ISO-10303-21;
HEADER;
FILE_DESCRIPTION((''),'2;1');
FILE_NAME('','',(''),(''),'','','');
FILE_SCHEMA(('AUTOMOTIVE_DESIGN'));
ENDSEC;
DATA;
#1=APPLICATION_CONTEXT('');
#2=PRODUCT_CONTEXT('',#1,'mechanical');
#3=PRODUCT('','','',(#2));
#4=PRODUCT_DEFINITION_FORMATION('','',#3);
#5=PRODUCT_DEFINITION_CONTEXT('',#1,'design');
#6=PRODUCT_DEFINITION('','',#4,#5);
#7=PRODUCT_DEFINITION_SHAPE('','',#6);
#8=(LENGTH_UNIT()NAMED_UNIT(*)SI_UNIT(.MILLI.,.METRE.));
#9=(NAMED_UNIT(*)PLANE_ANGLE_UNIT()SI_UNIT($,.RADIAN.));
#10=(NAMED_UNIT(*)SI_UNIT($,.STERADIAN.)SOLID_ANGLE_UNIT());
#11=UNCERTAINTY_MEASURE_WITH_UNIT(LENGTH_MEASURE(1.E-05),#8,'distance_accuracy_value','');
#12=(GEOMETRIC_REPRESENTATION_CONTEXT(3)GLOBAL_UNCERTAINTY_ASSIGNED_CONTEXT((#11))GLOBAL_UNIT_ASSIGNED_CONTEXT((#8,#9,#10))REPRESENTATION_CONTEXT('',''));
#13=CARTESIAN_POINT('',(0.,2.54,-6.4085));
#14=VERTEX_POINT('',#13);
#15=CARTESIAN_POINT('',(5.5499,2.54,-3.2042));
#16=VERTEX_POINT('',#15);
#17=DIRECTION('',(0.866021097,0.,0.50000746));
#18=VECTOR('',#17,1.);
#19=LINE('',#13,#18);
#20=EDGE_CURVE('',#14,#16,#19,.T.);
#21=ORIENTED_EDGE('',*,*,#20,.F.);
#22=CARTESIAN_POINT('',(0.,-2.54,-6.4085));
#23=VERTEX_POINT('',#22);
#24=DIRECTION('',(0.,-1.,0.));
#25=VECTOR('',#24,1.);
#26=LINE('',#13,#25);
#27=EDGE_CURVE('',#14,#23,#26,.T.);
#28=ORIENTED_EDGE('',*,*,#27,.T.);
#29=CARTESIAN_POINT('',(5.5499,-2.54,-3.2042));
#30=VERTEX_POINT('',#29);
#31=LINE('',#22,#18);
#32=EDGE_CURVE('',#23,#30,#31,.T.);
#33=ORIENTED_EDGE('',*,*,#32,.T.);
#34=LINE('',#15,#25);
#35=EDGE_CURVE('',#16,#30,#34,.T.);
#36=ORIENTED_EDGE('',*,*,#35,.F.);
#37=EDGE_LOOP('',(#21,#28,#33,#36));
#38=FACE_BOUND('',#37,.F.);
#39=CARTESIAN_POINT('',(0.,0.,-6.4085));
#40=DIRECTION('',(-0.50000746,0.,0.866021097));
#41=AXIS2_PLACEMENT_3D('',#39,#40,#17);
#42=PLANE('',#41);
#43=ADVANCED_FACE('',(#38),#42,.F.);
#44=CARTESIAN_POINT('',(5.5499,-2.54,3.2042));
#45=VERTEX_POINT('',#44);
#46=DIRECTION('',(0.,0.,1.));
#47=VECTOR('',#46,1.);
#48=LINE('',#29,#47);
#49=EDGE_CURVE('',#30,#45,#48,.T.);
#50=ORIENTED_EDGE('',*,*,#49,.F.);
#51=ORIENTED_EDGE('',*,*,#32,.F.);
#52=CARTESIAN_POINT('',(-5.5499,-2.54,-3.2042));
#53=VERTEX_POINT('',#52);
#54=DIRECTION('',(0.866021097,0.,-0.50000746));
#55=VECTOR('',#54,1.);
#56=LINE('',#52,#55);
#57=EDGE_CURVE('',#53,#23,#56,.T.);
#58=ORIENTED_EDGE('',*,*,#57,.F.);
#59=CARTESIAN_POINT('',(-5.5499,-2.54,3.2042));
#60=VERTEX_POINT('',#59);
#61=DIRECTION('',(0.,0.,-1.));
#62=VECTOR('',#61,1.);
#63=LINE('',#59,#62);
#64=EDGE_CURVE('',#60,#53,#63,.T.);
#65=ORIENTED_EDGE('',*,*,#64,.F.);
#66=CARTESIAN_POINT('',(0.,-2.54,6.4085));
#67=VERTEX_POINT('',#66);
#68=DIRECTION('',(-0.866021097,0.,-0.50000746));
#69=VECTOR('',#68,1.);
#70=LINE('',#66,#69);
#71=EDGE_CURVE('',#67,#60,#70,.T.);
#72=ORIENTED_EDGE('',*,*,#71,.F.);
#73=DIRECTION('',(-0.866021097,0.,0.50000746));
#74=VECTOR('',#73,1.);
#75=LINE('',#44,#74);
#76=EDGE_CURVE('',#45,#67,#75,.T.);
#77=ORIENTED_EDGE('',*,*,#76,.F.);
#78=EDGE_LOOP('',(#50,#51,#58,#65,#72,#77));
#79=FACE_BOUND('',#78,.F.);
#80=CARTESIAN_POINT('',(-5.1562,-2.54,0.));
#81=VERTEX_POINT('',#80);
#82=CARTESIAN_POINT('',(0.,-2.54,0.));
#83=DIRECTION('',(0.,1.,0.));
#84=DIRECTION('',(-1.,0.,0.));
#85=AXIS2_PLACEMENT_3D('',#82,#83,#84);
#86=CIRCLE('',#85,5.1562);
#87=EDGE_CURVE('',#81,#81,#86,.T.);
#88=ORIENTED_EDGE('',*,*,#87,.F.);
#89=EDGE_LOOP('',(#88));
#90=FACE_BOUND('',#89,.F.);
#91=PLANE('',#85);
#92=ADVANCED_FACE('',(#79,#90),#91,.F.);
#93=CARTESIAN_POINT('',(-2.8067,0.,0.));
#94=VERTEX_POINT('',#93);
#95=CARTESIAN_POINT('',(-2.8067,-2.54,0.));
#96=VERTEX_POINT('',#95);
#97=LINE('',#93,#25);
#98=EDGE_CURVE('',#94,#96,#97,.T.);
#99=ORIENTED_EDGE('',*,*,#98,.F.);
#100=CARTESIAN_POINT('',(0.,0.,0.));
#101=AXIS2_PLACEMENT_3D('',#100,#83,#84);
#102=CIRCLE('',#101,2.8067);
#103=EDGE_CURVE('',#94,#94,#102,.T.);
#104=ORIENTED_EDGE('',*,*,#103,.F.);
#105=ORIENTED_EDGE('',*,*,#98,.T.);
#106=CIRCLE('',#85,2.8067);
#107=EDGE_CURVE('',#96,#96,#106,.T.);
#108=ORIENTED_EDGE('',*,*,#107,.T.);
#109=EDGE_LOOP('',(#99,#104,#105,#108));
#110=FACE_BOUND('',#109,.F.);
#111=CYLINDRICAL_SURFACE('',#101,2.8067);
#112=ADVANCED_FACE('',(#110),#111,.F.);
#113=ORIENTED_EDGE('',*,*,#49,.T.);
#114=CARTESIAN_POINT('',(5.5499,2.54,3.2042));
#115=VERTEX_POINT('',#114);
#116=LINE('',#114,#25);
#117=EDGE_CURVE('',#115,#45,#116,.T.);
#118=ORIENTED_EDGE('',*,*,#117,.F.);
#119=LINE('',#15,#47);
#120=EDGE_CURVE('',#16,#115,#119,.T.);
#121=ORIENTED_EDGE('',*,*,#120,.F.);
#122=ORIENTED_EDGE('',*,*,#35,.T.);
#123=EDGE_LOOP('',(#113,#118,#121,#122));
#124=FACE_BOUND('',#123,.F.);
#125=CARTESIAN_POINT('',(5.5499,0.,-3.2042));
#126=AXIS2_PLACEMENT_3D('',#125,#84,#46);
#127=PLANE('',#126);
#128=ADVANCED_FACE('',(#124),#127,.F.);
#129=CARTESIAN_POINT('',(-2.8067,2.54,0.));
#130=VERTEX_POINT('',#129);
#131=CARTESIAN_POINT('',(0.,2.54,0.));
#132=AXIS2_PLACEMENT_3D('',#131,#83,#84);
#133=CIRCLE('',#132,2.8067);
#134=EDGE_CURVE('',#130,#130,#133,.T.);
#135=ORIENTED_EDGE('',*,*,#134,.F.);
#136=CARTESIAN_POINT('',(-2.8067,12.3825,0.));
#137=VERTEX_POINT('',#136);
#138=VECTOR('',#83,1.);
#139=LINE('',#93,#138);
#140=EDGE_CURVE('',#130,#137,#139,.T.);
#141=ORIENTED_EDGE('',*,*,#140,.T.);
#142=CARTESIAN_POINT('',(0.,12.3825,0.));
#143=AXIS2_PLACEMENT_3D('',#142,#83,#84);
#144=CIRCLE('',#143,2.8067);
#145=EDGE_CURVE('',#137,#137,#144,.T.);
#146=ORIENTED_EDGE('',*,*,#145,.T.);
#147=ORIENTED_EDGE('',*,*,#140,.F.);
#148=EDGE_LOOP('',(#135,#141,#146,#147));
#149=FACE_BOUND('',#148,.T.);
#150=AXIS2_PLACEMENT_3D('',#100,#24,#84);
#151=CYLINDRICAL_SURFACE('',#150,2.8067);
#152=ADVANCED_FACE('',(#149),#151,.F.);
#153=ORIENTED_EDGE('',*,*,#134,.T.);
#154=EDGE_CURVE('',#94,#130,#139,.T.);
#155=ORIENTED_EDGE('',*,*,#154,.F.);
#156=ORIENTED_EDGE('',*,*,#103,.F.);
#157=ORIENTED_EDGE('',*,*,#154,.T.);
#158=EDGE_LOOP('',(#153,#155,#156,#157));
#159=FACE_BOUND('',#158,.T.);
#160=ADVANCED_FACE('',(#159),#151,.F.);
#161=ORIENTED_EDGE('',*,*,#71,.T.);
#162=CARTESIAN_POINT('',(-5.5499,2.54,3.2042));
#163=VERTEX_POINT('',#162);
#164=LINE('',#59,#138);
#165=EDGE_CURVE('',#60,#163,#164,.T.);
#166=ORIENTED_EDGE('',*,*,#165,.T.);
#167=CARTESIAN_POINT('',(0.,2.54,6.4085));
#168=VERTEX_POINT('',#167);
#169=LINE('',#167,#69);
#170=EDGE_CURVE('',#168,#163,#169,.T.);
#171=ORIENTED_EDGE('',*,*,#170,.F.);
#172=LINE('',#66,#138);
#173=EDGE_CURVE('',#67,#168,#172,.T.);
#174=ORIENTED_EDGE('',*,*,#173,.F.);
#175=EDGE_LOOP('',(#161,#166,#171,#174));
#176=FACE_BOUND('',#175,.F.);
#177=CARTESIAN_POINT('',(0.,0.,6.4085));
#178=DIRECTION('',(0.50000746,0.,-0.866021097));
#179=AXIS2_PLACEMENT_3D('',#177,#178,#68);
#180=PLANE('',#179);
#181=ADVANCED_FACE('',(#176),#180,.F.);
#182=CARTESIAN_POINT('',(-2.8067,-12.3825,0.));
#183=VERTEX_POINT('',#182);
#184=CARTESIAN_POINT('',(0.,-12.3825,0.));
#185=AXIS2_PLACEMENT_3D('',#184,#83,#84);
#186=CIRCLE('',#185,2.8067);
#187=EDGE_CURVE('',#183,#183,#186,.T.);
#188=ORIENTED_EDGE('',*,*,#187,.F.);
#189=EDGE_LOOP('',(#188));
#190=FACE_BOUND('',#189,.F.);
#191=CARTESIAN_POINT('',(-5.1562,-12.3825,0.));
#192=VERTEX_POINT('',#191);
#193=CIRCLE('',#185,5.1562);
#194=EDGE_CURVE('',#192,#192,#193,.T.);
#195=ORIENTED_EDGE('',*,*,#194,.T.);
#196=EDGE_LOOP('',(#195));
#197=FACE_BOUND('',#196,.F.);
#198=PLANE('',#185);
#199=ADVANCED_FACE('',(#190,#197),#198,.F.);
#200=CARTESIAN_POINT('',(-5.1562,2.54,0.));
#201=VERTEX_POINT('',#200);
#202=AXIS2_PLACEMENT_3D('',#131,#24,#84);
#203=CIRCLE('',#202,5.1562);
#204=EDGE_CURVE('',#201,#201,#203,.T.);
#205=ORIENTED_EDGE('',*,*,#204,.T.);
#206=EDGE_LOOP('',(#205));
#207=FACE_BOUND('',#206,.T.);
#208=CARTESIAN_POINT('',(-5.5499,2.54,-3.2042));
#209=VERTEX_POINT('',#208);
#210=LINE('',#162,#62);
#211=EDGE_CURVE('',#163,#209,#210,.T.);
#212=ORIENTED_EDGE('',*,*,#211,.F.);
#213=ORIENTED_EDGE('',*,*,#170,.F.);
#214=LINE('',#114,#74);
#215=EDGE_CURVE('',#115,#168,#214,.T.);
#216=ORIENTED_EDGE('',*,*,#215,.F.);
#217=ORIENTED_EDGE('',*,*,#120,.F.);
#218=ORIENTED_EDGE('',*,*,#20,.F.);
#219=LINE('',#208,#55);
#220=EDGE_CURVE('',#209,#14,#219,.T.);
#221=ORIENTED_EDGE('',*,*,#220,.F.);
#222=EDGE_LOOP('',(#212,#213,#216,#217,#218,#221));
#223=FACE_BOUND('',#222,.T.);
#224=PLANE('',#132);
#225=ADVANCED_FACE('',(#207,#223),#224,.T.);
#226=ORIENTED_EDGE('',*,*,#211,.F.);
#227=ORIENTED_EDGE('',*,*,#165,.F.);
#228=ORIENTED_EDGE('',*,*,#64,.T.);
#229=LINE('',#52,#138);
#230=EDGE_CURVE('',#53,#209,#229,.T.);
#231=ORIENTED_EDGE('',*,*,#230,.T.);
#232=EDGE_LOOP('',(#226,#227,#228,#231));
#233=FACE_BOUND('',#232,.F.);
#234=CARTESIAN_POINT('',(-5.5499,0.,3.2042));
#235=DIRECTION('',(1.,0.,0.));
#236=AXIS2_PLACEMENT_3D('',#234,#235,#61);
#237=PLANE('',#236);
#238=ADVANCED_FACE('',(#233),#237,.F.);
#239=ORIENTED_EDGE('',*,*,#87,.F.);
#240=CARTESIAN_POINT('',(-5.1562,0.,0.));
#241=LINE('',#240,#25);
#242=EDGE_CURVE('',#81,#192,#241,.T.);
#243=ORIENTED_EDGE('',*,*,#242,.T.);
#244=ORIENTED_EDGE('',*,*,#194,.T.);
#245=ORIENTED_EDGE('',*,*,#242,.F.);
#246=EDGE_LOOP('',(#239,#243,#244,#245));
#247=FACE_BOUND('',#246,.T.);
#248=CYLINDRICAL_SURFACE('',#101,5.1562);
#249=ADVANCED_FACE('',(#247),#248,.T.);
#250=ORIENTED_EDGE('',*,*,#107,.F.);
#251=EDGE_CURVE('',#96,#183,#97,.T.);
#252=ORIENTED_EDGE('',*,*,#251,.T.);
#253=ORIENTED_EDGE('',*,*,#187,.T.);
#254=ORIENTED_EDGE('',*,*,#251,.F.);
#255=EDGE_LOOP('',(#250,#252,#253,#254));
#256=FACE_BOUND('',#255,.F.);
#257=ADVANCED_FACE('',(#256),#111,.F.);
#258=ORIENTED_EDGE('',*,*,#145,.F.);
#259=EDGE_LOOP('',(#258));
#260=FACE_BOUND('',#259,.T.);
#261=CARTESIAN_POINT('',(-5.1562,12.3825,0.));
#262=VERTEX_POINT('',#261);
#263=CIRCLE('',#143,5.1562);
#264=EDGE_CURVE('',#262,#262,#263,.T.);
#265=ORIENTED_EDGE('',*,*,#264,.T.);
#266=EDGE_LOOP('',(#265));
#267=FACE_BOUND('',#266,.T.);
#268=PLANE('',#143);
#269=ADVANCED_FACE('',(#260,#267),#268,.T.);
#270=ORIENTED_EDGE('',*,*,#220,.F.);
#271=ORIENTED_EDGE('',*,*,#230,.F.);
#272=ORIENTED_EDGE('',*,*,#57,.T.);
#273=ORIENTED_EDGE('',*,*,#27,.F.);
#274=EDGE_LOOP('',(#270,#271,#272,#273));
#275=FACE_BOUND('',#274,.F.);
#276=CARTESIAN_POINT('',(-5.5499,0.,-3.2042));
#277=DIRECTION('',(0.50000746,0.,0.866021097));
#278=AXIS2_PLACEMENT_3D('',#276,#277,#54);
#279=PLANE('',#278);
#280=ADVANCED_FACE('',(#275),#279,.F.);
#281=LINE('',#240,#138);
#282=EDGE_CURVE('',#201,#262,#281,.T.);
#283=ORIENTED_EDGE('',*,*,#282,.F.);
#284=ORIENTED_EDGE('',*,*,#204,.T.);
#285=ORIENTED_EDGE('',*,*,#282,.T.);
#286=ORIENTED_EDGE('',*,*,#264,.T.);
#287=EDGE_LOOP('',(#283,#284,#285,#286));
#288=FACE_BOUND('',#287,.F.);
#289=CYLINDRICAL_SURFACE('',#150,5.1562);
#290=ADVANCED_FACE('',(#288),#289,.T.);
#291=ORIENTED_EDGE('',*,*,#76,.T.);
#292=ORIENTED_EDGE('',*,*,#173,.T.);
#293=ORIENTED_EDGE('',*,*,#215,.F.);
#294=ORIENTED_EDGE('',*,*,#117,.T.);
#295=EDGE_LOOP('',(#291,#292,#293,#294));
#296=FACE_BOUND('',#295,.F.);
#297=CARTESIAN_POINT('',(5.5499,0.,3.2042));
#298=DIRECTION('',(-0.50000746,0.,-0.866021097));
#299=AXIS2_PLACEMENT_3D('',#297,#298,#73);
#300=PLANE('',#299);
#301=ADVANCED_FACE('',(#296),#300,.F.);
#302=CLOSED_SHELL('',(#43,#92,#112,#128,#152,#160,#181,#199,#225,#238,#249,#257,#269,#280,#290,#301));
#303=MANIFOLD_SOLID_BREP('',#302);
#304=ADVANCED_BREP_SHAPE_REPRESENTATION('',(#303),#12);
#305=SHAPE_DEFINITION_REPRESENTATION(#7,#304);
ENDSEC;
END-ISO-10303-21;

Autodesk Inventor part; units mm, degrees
ref_plane "YZ Plane" through (0, 0, 0) normal (1, 0, 0) x (0, 1, 0)
ref_plane "XZ Plane" through (0, 0, 0) normal (0, 1, 0) x (-1, 0, 0)
ref_plane "XY Plane" through (0, 0, 0) normal (0, 0, 1) x (1, 0, 0)
sketch "Sketch1" plane through (0, 0, 0) normal (0, 1, 0) x (-1, 0, 0)
  circle A0 centre (0, 0) radius 5.5499 construction
  line L0 (5.5499, -3.2042) -> (0, -6.4085)
  line L1 (0, -6.4085) -> (-5.5499, -3.2042)
  line L2 (-5.5499, -3.2042) -> (-5.5499, 3.2042)
  line L3 (-5.5499, 3.2042) -> (0, 6.4085)
  line L4 (0, 6.4085) -> (5.5499, 3.2042)
  line L5 (5.5499, 3.2042) -> (5.5499, -3.2042)
  circle A1 centre (0, 0) radius 2.8067
  circle A2 centre (0, 0) radius 5.1562
  point P0 (5.5499, 0)
  dimension "d0" = 11.0998
  dimension "d1" = 5.6134
  dimension "d4" = 10.3124
extrude "Extrusion1" add sketch "Sketch1" along normal mid plane 5.08 contours L0 L1 L2 L3 L4 L5 | A2
extrude "Extrusion2" add sketch "Sketch1" along normal mid plane 24.765 contours A2
properties part number "am-2187" material "Brass"
